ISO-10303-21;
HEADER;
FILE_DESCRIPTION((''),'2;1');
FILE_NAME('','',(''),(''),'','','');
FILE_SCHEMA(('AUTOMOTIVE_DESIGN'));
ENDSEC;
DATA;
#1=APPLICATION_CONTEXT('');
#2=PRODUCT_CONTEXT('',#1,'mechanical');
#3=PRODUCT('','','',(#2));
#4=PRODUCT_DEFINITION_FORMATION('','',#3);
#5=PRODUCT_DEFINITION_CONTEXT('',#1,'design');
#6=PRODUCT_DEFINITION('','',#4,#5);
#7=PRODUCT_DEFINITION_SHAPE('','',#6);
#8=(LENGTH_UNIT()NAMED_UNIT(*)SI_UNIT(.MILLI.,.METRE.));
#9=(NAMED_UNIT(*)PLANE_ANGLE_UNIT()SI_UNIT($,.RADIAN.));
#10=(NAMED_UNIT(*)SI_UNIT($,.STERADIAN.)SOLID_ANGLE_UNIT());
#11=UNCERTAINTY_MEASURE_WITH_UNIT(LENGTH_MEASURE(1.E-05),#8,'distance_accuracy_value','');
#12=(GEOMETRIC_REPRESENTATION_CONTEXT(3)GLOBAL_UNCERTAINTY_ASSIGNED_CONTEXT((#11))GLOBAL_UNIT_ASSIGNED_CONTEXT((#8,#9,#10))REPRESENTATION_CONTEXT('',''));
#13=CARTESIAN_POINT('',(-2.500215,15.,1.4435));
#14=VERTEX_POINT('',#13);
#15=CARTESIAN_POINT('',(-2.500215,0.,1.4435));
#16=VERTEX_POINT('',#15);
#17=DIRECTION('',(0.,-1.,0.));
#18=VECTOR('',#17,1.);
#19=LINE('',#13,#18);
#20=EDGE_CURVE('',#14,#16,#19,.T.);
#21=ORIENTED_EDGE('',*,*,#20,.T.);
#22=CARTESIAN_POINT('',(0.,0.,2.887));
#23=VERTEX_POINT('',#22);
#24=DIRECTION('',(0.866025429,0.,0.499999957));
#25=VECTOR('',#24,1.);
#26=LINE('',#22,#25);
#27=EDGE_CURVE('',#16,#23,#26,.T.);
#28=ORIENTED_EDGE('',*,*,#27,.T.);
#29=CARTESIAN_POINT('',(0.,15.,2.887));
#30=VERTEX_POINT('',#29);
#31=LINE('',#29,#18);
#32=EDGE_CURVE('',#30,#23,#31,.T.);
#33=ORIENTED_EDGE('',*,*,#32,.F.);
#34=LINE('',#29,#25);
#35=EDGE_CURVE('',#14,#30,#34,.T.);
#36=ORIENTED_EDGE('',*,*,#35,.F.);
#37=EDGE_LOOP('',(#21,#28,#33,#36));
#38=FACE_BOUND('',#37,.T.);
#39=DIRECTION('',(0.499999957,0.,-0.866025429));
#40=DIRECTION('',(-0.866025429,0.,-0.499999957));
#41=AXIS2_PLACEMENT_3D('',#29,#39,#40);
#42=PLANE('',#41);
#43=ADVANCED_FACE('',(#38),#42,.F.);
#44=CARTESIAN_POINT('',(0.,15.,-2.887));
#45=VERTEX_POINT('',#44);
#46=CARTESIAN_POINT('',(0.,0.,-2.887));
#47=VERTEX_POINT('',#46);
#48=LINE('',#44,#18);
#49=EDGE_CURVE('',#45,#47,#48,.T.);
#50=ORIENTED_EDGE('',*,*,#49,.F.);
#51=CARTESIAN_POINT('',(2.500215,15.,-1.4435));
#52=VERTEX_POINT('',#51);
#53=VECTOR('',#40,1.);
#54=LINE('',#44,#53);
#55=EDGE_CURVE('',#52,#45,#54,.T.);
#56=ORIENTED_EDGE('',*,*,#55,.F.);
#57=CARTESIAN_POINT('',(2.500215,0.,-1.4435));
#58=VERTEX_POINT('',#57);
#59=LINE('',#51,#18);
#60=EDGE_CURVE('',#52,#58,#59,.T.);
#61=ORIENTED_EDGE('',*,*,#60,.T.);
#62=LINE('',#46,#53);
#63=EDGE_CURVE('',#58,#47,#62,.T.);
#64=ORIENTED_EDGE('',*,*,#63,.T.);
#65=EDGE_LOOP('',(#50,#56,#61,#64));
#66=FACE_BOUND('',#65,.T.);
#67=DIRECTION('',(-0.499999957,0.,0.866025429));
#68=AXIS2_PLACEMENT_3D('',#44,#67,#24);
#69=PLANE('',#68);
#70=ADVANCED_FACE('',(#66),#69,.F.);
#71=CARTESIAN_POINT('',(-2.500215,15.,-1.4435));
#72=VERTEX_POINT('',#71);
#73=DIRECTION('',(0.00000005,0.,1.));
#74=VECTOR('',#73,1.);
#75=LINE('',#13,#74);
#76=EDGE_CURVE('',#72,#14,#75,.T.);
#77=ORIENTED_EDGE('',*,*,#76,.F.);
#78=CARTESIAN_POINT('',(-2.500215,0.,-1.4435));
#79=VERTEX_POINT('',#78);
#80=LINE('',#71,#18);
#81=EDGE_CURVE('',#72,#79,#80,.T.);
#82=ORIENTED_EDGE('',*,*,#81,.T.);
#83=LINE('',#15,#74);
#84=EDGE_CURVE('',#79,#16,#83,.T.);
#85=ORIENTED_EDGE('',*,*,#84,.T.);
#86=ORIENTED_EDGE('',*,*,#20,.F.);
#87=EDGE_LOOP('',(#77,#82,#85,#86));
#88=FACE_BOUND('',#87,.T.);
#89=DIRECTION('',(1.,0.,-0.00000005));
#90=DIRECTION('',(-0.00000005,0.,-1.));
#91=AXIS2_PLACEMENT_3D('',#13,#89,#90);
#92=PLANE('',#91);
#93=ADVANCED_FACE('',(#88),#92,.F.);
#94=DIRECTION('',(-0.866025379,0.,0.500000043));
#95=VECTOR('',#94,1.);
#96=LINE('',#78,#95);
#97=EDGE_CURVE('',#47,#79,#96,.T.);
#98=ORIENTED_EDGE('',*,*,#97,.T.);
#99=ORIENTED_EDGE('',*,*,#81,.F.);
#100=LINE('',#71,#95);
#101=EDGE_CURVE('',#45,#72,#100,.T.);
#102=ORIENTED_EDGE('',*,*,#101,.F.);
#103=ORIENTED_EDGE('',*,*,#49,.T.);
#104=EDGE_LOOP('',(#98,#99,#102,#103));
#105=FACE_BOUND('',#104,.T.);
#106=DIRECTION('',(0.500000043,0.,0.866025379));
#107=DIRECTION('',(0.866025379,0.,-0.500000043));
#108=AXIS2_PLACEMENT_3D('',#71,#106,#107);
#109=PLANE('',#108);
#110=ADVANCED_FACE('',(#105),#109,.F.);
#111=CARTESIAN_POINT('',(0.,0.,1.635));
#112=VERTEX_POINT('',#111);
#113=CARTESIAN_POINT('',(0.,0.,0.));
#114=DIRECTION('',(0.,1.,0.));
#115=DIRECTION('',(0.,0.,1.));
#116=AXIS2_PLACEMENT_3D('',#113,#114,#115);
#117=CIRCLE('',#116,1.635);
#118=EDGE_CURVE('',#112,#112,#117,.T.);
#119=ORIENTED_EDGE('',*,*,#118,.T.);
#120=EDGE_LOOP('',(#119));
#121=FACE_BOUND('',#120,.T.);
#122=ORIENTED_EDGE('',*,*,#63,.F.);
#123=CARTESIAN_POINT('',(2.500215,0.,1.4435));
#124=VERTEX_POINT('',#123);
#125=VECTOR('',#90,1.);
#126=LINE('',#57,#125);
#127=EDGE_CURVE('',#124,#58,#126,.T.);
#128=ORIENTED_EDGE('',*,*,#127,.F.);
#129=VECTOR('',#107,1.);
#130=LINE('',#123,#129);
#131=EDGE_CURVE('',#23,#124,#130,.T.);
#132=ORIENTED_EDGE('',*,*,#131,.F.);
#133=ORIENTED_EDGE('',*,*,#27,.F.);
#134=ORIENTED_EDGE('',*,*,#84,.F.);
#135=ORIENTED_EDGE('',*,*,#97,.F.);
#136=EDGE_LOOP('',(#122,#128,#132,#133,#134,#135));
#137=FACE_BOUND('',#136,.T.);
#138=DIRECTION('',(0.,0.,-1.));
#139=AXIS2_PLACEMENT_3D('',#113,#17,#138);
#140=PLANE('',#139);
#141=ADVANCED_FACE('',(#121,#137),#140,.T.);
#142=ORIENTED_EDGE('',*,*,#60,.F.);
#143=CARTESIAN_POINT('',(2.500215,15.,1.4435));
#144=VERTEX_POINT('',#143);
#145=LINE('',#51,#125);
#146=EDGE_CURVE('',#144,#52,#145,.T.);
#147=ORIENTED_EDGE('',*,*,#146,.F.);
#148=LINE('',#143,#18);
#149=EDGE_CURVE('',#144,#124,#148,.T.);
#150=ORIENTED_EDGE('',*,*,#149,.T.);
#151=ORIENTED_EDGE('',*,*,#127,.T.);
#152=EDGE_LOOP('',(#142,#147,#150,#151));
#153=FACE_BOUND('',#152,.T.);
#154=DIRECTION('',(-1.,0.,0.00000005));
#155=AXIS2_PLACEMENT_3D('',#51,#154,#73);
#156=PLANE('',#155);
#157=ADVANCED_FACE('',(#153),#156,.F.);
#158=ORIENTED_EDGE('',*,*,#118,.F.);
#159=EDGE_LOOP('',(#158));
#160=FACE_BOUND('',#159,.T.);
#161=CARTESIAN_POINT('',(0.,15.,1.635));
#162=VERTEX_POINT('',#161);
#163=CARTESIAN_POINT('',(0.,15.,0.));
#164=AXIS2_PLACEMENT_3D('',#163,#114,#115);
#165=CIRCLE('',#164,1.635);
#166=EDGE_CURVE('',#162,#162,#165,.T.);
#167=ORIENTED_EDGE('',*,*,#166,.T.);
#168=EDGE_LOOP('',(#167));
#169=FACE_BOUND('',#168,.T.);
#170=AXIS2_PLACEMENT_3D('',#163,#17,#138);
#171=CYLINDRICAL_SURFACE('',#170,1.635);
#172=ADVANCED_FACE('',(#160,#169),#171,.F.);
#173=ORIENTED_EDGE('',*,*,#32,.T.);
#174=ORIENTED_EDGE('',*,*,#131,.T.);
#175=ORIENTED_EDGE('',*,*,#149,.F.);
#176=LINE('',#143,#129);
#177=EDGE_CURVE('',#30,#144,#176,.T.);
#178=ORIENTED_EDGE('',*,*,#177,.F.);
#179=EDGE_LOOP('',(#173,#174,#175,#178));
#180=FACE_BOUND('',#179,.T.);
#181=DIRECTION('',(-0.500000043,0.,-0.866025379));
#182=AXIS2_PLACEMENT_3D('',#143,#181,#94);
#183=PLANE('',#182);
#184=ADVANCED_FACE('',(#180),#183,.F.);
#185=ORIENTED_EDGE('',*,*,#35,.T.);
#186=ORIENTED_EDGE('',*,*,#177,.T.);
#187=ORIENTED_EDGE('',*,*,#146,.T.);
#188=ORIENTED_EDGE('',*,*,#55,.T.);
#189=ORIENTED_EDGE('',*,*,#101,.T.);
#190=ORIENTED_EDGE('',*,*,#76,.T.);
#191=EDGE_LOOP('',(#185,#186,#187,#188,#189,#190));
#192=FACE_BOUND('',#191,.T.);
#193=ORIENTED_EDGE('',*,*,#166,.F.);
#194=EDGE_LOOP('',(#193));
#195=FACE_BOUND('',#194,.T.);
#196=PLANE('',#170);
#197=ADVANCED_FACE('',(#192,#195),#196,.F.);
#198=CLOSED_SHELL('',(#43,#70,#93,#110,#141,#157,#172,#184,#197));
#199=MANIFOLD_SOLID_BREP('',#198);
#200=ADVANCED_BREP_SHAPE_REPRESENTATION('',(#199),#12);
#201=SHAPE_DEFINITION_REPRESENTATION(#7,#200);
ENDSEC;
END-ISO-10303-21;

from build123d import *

# Parameters (mm, degrees)
SKETCH1_R           = 1.635
BOSS_EXTRUDE1_DEPTH = 15


with BuildPart() as part:
    # Sketch1 → Boss-Extrude1 (new body)
    with BuildSketch(Plane(origin=(0, 0, 0), x_dir=(1, 0, 0), z_dir=(0, 1, 0))):
        Polygon((2.500215268, 1.443500126), (2.500215413, -1.443499874), (1.45e-07, -2.887), (-2.500215268, -1.443500126), (-2.500215413, 1.443499874), (-1.45e-07, 2.887), align=None)
        with Locations(Location((0, 0, 0), (0, 0, 270))):
            Circle(SKETCH1_R, mode=Mode.SUBTRACT)
    extrude(amount=BOSS_EXTRUDE1_DEPTH)


solid = part.part
